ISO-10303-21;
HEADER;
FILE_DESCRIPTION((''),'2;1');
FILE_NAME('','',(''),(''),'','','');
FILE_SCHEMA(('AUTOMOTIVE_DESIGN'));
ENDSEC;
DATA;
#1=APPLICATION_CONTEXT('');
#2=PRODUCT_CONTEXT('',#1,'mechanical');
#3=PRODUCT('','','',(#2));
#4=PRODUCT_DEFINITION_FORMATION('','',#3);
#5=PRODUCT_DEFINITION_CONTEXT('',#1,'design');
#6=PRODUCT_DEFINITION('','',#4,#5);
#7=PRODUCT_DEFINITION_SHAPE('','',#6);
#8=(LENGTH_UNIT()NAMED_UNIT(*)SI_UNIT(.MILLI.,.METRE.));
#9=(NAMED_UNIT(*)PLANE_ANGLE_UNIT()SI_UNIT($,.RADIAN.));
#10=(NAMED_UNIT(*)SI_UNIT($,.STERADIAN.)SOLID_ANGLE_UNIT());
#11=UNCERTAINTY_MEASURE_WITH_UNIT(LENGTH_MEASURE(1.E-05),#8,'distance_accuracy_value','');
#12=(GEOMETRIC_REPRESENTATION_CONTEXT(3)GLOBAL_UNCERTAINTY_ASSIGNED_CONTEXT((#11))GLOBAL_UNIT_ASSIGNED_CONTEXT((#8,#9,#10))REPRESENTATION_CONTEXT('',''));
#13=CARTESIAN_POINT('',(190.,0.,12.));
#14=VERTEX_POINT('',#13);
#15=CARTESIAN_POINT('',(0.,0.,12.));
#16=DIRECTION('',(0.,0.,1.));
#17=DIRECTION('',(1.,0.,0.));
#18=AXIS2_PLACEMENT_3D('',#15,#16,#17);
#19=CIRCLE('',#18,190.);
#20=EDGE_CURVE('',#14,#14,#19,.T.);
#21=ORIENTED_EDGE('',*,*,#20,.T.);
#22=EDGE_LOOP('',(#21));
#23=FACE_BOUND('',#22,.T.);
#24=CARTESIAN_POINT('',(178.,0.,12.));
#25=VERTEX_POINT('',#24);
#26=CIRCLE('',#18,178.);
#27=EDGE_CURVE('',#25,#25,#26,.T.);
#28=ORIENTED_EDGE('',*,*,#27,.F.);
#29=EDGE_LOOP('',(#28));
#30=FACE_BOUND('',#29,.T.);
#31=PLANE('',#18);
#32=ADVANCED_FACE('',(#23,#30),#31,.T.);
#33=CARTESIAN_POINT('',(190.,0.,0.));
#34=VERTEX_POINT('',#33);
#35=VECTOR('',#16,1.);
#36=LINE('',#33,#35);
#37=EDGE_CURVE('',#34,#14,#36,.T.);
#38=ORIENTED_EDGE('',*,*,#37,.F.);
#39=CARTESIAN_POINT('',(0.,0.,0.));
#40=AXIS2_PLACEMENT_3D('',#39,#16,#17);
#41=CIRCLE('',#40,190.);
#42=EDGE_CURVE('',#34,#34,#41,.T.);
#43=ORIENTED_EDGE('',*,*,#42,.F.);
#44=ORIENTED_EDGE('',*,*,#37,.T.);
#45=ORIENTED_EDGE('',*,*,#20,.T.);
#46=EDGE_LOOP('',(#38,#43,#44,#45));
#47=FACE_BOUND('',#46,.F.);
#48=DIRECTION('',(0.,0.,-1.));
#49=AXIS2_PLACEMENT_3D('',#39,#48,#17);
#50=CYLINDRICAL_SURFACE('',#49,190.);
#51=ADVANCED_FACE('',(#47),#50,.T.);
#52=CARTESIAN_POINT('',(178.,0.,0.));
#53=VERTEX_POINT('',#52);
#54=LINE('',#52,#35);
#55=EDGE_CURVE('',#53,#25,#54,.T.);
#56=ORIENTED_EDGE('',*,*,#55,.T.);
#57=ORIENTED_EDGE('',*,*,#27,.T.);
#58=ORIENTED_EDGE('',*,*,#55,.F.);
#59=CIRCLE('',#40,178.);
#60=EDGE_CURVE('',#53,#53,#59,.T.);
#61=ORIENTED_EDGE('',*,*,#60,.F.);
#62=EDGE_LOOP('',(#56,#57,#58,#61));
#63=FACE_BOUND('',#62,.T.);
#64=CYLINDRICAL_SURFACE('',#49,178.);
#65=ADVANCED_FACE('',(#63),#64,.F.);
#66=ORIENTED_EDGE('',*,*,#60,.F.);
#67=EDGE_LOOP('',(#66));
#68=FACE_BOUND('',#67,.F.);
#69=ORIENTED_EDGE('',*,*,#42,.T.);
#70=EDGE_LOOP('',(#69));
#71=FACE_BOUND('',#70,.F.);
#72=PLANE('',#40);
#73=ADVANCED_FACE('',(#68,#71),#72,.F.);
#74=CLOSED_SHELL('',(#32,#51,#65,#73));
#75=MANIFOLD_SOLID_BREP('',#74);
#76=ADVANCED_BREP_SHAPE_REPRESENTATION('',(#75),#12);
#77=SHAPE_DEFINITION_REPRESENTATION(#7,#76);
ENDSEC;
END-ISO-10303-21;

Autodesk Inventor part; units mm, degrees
ref_plane "YZ Plane" through (0, 0, 0) normal (1, 0, 0) x (0, 1, 0)
ref_plane "XZ Plane" through (0, 0, 0) normal (0, 1, 0) x (-1, 0, 0)
ref_plane "XY Plane" through (0, 0, 0) normal (0, 0, 1) x (1, 0, 0)
sketch "Эскиз1" plane through (0, 0, 0) normal (0, 0, 1) x (1, 0, 0)
  circle A0 centre (0, 0) radius 178
  circle A1 centre (0, 0) radius 190
  dimension "d0" = 356
  dimension "d1" = 380
extrude "Выдавливание1" add sketch "Эскиз1" along normal blind 12
properties part number "Кольцо поршня_CPY" material "Нержавеющая сталь"
